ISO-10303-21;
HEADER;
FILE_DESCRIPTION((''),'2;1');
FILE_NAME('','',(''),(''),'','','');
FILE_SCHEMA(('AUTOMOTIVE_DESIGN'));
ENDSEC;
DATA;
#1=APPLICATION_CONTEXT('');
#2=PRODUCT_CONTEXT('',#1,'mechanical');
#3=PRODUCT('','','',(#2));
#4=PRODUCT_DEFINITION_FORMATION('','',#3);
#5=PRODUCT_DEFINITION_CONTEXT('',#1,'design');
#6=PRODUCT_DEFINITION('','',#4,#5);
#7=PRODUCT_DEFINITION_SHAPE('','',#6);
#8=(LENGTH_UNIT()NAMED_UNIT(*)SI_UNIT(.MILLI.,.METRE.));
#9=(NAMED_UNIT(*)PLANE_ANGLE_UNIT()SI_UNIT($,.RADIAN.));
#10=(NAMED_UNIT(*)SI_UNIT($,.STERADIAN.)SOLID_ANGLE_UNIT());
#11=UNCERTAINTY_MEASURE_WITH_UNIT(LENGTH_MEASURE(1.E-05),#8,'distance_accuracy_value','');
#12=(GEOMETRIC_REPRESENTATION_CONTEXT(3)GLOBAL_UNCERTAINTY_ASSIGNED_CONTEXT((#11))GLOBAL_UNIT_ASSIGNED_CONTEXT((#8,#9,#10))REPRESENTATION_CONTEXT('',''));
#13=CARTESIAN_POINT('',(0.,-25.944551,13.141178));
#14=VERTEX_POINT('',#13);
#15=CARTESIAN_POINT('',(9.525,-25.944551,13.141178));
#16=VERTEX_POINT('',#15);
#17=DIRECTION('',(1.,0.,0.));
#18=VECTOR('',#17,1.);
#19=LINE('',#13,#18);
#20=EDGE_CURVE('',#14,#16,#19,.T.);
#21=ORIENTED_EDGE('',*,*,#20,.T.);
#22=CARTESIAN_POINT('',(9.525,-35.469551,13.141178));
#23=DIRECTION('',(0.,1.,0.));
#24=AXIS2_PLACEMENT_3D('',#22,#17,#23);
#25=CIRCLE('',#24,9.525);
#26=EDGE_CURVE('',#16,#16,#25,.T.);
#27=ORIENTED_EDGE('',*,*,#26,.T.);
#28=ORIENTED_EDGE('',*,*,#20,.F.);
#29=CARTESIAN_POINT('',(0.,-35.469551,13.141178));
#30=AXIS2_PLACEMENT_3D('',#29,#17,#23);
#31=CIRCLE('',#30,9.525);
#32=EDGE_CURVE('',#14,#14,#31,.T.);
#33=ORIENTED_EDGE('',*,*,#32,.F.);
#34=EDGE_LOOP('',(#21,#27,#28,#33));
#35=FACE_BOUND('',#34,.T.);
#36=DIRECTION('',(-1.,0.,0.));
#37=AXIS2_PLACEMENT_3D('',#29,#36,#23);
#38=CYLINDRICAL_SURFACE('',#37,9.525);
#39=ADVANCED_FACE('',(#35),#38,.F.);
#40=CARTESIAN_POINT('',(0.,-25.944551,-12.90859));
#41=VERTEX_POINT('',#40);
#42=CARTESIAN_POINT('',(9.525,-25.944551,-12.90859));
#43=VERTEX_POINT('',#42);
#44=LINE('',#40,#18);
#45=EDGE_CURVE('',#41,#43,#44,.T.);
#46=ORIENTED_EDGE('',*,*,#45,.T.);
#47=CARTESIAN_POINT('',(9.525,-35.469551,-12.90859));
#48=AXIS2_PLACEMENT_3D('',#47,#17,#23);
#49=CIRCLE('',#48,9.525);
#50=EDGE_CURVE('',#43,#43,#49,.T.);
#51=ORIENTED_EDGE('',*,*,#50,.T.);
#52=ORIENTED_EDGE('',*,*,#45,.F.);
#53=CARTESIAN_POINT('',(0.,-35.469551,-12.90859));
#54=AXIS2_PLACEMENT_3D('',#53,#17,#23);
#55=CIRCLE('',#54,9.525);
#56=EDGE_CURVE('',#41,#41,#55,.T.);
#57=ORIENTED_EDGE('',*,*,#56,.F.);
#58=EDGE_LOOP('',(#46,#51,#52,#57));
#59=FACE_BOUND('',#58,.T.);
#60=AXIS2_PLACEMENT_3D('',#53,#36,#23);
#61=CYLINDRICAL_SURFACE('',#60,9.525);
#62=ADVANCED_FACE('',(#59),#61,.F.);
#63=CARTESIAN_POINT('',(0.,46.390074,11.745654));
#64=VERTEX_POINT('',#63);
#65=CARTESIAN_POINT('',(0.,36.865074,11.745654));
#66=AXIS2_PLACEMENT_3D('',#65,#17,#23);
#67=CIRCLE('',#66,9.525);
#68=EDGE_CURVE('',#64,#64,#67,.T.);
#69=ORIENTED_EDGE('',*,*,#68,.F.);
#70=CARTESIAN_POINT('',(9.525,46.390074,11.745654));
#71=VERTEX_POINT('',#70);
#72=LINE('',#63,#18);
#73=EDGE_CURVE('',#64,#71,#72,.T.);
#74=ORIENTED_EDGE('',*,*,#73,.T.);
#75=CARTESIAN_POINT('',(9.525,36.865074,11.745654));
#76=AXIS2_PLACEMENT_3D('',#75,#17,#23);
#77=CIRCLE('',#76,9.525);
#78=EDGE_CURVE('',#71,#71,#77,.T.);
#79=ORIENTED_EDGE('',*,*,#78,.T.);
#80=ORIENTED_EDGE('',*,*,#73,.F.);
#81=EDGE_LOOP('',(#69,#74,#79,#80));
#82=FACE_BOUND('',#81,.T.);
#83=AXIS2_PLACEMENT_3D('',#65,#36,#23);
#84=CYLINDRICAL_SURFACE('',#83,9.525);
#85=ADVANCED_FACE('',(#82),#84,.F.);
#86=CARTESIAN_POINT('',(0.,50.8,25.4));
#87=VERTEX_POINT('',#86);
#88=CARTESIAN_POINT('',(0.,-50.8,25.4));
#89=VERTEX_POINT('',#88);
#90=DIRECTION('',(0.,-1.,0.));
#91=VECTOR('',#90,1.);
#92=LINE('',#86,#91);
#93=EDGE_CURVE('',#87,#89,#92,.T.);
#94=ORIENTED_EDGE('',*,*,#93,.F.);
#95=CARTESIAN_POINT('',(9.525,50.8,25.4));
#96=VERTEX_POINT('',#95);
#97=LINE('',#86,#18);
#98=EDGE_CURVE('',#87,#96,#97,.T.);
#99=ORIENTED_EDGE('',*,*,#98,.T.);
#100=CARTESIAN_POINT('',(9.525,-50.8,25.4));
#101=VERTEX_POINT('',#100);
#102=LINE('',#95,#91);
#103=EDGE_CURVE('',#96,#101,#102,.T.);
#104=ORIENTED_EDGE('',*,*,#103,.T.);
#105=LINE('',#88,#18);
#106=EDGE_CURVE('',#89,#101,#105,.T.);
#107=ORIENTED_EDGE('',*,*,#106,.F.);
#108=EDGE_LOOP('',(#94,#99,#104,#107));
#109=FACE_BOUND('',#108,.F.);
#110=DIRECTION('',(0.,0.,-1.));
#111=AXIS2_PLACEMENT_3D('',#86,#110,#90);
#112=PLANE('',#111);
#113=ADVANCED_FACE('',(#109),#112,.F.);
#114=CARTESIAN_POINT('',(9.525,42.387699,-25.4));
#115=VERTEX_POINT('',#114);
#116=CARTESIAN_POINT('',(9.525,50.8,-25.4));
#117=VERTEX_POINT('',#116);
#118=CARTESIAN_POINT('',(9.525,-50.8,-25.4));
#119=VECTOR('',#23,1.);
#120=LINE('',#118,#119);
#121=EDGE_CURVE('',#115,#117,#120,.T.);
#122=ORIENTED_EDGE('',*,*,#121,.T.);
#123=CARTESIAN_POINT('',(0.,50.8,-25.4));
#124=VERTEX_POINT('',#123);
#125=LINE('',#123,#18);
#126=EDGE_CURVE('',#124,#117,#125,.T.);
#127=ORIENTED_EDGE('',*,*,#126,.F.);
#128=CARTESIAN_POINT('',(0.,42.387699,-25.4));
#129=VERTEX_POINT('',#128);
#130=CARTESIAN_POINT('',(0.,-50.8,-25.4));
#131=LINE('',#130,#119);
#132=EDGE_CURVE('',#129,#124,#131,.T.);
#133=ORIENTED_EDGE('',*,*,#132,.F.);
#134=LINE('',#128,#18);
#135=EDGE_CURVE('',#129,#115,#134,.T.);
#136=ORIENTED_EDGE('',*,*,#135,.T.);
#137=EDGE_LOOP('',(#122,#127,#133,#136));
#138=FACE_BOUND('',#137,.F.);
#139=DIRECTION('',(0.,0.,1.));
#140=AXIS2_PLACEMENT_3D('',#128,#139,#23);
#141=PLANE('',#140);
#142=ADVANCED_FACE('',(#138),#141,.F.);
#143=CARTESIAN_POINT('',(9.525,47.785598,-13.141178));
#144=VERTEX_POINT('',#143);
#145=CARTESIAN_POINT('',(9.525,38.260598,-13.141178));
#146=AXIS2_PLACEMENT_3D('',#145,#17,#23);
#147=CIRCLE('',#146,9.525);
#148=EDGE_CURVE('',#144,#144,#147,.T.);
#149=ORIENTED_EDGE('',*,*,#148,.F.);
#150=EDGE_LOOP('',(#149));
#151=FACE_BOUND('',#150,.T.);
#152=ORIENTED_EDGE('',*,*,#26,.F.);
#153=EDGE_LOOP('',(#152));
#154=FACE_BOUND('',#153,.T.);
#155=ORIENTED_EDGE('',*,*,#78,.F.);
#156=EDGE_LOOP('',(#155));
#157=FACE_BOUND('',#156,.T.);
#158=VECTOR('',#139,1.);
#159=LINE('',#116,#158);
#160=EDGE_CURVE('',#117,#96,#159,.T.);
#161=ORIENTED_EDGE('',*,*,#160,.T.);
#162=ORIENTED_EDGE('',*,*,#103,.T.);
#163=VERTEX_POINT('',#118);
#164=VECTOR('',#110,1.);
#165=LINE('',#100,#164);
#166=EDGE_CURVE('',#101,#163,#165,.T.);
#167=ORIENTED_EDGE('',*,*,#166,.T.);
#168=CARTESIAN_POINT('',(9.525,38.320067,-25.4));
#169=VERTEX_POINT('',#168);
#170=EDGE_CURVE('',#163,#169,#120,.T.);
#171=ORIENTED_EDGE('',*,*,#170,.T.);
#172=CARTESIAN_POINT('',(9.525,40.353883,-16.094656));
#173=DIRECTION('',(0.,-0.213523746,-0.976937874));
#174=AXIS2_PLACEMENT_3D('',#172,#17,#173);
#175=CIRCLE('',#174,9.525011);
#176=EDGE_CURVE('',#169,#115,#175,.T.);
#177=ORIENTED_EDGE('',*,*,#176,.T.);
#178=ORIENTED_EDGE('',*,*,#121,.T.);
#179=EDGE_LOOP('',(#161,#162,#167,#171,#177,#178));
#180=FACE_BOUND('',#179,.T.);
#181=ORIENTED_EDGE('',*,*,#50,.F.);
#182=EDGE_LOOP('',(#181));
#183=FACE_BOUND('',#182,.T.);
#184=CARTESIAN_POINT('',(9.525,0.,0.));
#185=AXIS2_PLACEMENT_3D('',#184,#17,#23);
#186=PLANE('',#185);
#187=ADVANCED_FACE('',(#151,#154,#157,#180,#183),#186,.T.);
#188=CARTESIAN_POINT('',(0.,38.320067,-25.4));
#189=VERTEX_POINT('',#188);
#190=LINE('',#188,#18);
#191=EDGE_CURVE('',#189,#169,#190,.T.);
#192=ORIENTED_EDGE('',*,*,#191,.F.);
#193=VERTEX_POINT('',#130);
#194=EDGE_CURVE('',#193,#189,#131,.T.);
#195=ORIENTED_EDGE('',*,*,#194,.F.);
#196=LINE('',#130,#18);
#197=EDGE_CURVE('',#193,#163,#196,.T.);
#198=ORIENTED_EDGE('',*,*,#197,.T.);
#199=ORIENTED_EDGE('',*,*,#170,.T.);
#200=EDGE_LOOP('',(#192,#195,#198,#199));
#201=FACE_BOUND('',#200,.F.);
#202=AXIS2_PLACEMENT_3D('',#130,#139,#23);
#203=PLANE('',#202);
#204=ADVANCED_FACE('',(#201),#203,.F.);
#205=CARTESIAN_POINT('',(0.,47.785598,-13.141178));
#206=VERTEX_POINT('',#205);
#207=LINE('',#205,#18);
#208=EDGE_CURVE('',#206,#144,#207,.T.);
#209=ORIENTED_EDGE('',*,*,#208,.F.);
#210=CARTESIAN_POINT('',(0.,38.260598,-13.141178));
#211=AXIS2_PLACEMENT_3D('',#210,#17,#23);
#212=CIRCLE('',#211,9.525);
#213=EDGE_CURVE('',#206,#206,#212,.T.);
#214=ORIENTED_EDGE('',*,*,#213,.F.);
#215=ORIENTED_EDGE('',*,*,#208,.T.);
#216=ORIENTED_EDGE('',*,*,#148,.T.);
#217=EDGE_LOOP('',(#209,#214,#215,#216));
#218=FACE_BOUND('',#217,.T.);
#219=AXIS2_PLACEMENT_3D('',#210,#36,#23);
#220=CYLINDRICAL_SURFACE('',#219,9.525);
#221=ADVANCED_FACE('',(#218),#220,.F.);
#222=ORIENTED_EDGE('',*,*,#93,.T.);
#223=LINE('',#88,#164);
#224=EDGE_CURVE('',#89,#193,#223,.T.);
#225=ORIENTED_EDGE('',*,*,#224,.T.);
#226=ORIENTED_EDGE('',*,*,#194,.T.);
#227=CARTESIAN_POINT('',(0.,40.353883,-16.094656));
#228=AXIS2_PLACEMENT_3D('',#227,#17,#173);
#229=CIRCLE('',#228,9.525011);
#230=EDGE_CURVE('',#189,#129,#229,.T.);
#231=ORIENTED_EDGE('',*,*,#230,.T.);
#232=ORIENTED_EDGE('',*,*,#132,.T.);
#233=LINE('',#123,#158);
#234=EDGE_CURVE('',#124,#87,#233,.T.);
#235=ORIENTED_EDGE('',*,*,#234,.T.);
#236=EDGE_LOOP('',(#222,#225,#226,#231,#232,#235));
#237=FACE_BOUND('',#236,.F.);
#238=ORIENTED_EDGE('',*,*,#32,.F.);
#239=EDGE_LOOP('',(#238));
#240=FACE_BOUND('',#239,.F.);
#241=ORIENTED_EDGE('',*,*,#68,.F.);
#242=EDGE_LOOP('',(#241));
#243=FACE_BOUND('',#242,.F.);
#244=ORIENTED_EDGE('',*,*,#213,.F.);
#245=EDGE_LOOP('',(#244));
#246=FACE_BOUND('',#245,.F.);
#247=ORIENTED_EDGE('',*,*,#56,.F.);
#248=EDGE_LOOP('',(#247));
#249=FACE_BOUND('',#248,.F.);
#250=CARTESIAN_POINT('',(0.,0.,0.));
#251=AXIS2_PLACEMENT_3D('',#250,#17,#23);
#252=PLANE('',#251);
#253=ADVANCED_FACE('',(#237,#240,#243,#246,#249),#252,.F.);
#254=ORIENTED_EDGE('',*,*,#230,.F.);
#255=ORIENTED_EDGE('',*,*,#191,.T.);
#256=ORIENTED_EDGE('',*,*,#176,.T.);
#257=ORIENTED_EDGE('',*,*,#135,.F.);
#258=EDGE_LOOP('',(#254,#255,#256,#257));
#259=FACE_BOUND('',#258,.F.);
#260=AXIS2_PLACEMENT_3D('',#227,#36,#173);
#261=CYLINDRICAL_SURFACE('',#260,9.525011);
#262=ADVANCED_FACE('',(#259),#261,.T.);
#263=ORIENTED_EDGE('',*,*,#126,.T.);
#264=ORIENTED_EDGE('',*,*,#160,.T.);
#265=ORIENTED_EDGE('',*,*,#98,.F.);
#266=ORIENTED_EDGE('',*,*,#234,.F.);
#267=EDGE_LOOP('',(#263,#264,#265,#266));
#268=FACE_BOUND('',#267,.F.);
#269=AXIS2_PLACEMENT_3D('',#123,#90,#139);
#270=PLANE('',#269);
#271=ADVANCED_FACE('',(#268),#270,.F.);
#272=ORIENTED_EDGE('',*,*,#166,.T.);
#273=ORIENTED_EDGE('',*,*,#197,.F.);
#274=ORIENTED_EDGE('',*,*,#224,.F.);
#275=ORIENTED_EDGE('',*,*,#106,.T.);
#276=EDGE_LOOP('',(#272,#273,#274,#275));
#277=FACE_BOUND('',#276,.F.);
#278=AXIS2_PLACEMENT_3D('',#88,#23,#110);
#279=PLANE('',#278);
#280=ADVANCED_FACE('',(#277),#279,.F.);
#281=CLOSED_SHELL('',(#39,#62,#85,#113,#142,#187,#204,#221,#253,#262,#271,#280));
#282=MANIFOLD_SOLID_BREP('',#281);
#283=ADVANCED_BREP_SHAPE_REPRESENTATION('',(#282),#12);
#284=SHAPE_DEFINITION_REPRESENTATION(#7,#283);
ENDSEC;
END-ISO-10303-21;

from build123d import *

# Parameters (mm, degrees)
F0_R     = 9.525
F1_DEPTH = 9.525


with BuildPart() as f1:
    # F0 (on Right) → F1 (new body)
    with BuildSketch(Plane.YZ):
        Polygon((50.8, 25.4), (-50.8, 25.4), (-50.8, -25.4), (38.320067, -25.4), (42.387699, -25.4), (50.8, -25.4), align=None)
        with Locations((-35.469551, -12.90859)):
            Circle(F0_R, mode=Mode.SUBTRACT)
        with Locations((38.260598, -13.141178)):
            Circle(F0_R, mode=Mode.SUBTRACT)
        with Locations((-35.469551, 13.141178)):
            Circle(F0_R, mode=Mode.SUBTRACT)
        with Locations((36.865074, 11.745654)):
            Circle(F0_R, mode=Mode.SUBTRACT)
        with BuildLine():
            Line((42.387699, -25.4), (38.320067, -25.4))
            ThreePointArc((38.320067, -25.4), (40.353883, -25.619667), (42.387699, -25.4))
        make_face()
    extrude(amount=F1_DEPTH)


solid = f1.part
